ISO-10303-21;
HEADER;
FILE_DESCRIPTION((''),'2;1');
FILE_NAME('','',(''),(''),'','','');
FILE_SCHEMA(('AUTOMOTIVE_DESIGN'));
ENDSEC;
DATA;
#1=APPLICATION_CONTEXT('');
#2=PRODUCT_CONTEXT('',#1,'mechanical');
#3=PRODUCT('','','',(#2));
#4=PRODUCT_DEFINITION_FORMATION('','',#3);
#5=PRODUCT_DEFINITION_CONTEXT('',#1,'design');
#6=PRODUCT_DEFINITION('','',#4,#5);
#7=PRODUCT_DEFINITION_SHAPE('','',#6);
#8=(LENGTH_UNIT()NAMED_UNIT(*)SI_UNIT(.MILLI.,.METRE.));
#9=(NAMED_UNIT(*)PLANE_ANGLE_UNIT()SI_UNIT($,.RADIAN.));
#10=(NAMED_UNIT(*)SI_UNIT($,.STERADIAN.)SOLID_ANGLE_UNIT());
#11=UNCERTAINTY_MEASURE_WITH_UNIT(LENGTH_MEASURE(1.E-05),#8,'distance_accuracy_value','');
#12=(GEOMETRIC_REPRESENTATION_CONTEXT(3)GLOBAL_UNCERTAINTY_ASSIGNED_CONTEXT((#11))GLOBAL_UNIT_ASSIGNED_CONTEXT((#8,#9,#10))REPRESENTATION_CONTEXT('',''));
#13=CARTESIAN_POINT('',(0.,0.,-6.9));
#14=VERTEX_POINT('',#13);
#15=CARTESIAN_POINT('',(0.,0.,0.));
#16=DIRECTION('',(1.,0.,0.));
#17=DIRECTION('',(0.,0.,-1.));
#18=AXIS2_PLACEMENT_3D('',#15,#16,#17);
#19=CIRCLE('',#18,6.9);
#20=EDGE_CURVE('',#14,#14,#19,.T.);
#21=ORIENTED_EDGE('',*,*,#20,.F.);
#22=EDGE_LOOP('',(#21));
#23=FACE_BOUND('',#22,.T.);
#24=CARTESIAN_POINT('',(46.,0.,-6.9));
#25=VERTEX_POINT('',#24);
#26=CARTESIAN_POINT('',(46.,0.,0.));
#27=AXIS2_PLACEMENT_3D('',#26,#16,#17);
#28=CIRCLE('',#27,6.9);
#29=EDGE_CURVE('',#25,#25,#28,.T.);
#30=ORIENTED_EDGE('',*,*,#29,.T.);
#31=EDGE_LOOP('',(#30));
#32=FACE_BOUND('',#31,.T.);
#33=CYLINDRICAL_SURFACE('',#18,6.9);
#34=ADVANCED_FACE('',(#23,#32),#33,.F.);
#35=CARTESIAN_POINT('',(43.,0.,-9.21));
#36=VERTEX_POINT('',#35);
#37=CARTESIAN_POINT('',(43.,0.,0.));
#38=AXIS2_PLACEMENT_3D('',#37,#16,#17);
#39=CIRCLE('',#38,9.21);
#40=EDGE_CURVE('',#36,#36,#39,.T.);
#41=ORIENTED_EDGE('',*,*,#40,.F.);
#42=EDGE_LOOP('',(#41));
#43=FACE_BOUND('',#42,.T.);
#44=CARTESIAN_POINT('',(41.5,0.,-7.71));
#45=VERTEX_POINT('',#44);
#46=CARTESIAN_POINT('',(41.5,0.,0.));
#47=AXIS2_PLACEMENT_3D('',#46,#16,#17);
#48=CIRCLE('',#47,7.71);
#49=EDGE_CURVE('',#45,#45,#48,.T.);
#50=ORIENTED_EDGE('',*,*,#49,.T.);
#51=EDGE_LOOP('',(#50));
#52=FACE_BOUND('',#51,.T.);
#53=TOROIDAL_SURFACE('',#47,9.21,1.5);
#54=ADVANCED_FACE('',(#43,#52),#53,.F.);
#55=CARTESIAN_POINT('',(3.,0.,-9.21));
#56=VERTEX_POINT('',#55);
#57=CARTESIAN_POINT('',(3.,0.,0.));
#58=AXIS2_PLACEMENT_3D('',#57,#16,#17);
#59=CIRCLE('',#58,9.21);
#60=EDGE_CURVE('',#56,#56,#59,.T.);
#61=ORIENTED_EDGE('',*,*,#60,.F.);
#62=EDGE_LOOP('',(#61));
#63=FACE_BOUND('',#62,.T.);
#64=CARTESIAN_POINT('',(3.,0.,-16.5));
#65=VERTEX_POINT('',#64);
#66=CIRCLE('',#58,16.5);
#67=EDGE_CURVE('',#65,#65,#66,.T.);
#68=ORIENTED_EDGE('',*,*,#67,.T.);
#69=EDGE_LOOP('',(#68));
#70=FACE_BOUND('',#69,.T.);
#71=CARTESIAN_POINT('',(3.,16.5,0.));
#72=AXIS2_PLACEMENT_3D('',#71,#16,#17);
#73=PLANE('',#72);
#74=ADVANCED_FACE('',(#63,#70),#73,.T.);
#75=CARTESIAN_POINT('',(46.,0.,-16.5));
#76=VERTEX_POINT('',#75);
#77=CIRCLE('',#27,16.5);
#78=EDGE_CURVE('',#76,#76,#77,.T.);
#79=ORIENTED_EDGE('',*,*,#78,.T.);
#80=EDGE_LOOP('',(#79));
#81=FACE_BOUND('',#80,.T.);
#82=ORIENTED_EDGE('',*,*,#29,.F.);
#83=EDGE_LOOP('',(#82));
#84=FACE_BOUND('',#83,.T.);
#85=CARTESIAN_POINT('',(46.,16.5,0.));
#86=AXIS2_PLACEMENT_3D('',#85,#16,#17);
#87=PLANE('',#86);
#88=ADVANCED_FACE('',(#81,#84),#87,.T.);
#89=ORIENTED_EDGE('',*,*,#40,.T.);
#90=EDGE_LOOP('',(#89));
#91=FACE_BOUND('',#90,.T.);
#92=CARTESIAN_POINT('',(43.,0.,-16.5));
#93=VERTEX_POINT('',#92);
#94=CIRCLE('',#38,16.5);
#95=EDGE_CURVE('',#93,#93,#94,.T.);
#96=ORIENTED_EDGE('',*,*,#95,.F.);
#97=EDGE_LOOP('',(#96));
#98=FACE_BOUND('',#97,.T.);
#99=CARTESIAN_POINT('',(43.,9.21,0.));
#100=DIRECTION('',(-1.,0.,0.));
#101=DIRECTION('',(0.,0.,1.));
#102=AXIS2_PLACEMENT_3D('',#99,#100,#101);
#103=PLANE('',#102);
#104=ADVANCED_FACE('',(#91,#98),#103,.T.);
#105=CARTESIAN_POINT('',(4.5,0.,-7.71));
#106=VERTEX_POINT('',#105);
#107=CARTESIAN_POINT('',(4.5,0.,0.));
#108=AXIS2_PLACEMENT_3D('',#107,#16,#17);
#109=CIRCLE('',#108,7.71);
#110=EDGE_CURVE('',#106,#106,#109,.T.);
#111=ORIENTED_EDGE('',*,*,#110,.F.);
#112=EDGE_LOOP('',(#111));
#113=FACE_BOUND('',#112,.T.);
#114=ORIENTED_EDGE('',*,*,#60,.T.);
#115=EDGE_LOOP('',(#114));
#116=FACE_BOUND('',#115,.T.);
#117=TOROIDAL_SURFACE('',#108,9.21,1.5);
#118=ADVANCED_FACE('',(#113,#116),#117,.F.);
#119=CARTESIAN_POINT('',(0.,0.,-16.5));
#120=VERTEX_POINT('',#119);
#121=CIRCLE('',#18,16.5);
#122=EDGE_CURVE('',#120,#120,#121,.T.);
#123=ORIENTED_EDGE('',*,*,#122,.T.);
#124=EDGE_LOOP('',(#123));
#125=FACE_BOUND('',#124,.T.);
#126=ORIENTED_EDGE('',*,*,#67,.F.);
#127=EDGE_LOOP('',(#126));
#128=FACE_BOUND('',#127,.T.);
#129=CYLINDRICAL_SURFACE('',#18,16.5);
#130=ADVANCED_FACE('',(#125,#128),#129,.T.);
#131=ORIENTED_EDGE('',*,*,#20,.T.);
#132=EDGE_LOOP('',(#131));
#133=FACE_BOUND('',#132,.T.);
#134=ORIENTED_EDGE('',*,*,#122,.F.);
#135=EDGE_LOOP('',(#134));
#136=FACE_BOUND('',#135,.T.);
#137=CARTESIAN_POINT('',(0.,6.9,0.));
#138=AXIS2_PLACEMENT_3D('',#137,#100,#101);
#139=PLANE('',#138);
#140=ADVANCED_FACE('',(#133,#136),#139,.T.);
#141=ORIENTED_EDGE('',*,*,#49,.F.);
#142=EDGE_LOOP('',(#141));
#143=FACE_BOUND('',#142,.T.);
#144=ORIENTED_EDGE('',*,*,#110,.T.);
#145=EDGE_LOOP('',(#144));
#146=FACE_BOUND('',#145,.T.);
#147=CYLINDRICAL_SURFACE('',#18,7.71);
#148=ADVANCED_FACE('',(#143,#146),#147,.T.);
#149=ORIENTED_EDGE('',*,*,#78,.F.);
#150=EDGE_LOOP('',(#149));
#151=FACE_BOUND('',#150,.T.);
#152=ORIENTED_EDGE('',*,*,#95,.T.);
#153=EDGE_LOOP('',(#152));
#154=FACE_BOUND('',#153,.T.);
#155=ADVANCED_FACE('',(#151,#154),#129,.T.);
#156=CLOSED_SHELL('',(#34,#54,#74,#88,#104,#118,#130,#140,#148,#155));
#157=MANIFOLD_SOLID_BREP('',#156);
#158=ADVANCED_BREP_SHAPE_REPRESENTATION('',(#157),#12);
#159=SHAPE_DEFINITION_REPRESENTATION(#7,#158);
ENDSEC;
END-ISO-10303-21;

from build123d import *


with BuildPart() as part:
    # Sketch1 → Revolve1 (revolve)
    with BuildSketch(Plane.XY, mode=Mode.PRIVATE) as revolve1_sk:
        with BuildLine():
            Line((0, 6.9), (0, 16.5))
            Line((0, 16.5), (3, 16.5))
            Line((3, 16.5), (3, 9.21))
            ThreePointArc((3, 9.21), (3.439339828, 8.149339828), (4.5, 7.71))
            Line((4.5, 7.71), (41.5, 7.71))
            ThreePointArc((41.5, 7.71), (42.560660172, 8.149339828), (43, 9.21))
            Line((43, 9.21), (43, 16.5))
            Line((43, 16.5), (46, 16.5))
            Line((46, 16.5), (46, 6.9))
            Line((46, 6.9), (43, 6.9))
            Line((43, 6.9), (3, 6.9))
            Line((3, 6.9), (0, 6.9))
        make_face()
    revolve(revolve1_sk.sketch.rotate(Axis((0, 0, 0), (-1, 0, 0)), 90), axis=Axis((0, 0, 0), (-1, 0, 0)))


solid = part.part
